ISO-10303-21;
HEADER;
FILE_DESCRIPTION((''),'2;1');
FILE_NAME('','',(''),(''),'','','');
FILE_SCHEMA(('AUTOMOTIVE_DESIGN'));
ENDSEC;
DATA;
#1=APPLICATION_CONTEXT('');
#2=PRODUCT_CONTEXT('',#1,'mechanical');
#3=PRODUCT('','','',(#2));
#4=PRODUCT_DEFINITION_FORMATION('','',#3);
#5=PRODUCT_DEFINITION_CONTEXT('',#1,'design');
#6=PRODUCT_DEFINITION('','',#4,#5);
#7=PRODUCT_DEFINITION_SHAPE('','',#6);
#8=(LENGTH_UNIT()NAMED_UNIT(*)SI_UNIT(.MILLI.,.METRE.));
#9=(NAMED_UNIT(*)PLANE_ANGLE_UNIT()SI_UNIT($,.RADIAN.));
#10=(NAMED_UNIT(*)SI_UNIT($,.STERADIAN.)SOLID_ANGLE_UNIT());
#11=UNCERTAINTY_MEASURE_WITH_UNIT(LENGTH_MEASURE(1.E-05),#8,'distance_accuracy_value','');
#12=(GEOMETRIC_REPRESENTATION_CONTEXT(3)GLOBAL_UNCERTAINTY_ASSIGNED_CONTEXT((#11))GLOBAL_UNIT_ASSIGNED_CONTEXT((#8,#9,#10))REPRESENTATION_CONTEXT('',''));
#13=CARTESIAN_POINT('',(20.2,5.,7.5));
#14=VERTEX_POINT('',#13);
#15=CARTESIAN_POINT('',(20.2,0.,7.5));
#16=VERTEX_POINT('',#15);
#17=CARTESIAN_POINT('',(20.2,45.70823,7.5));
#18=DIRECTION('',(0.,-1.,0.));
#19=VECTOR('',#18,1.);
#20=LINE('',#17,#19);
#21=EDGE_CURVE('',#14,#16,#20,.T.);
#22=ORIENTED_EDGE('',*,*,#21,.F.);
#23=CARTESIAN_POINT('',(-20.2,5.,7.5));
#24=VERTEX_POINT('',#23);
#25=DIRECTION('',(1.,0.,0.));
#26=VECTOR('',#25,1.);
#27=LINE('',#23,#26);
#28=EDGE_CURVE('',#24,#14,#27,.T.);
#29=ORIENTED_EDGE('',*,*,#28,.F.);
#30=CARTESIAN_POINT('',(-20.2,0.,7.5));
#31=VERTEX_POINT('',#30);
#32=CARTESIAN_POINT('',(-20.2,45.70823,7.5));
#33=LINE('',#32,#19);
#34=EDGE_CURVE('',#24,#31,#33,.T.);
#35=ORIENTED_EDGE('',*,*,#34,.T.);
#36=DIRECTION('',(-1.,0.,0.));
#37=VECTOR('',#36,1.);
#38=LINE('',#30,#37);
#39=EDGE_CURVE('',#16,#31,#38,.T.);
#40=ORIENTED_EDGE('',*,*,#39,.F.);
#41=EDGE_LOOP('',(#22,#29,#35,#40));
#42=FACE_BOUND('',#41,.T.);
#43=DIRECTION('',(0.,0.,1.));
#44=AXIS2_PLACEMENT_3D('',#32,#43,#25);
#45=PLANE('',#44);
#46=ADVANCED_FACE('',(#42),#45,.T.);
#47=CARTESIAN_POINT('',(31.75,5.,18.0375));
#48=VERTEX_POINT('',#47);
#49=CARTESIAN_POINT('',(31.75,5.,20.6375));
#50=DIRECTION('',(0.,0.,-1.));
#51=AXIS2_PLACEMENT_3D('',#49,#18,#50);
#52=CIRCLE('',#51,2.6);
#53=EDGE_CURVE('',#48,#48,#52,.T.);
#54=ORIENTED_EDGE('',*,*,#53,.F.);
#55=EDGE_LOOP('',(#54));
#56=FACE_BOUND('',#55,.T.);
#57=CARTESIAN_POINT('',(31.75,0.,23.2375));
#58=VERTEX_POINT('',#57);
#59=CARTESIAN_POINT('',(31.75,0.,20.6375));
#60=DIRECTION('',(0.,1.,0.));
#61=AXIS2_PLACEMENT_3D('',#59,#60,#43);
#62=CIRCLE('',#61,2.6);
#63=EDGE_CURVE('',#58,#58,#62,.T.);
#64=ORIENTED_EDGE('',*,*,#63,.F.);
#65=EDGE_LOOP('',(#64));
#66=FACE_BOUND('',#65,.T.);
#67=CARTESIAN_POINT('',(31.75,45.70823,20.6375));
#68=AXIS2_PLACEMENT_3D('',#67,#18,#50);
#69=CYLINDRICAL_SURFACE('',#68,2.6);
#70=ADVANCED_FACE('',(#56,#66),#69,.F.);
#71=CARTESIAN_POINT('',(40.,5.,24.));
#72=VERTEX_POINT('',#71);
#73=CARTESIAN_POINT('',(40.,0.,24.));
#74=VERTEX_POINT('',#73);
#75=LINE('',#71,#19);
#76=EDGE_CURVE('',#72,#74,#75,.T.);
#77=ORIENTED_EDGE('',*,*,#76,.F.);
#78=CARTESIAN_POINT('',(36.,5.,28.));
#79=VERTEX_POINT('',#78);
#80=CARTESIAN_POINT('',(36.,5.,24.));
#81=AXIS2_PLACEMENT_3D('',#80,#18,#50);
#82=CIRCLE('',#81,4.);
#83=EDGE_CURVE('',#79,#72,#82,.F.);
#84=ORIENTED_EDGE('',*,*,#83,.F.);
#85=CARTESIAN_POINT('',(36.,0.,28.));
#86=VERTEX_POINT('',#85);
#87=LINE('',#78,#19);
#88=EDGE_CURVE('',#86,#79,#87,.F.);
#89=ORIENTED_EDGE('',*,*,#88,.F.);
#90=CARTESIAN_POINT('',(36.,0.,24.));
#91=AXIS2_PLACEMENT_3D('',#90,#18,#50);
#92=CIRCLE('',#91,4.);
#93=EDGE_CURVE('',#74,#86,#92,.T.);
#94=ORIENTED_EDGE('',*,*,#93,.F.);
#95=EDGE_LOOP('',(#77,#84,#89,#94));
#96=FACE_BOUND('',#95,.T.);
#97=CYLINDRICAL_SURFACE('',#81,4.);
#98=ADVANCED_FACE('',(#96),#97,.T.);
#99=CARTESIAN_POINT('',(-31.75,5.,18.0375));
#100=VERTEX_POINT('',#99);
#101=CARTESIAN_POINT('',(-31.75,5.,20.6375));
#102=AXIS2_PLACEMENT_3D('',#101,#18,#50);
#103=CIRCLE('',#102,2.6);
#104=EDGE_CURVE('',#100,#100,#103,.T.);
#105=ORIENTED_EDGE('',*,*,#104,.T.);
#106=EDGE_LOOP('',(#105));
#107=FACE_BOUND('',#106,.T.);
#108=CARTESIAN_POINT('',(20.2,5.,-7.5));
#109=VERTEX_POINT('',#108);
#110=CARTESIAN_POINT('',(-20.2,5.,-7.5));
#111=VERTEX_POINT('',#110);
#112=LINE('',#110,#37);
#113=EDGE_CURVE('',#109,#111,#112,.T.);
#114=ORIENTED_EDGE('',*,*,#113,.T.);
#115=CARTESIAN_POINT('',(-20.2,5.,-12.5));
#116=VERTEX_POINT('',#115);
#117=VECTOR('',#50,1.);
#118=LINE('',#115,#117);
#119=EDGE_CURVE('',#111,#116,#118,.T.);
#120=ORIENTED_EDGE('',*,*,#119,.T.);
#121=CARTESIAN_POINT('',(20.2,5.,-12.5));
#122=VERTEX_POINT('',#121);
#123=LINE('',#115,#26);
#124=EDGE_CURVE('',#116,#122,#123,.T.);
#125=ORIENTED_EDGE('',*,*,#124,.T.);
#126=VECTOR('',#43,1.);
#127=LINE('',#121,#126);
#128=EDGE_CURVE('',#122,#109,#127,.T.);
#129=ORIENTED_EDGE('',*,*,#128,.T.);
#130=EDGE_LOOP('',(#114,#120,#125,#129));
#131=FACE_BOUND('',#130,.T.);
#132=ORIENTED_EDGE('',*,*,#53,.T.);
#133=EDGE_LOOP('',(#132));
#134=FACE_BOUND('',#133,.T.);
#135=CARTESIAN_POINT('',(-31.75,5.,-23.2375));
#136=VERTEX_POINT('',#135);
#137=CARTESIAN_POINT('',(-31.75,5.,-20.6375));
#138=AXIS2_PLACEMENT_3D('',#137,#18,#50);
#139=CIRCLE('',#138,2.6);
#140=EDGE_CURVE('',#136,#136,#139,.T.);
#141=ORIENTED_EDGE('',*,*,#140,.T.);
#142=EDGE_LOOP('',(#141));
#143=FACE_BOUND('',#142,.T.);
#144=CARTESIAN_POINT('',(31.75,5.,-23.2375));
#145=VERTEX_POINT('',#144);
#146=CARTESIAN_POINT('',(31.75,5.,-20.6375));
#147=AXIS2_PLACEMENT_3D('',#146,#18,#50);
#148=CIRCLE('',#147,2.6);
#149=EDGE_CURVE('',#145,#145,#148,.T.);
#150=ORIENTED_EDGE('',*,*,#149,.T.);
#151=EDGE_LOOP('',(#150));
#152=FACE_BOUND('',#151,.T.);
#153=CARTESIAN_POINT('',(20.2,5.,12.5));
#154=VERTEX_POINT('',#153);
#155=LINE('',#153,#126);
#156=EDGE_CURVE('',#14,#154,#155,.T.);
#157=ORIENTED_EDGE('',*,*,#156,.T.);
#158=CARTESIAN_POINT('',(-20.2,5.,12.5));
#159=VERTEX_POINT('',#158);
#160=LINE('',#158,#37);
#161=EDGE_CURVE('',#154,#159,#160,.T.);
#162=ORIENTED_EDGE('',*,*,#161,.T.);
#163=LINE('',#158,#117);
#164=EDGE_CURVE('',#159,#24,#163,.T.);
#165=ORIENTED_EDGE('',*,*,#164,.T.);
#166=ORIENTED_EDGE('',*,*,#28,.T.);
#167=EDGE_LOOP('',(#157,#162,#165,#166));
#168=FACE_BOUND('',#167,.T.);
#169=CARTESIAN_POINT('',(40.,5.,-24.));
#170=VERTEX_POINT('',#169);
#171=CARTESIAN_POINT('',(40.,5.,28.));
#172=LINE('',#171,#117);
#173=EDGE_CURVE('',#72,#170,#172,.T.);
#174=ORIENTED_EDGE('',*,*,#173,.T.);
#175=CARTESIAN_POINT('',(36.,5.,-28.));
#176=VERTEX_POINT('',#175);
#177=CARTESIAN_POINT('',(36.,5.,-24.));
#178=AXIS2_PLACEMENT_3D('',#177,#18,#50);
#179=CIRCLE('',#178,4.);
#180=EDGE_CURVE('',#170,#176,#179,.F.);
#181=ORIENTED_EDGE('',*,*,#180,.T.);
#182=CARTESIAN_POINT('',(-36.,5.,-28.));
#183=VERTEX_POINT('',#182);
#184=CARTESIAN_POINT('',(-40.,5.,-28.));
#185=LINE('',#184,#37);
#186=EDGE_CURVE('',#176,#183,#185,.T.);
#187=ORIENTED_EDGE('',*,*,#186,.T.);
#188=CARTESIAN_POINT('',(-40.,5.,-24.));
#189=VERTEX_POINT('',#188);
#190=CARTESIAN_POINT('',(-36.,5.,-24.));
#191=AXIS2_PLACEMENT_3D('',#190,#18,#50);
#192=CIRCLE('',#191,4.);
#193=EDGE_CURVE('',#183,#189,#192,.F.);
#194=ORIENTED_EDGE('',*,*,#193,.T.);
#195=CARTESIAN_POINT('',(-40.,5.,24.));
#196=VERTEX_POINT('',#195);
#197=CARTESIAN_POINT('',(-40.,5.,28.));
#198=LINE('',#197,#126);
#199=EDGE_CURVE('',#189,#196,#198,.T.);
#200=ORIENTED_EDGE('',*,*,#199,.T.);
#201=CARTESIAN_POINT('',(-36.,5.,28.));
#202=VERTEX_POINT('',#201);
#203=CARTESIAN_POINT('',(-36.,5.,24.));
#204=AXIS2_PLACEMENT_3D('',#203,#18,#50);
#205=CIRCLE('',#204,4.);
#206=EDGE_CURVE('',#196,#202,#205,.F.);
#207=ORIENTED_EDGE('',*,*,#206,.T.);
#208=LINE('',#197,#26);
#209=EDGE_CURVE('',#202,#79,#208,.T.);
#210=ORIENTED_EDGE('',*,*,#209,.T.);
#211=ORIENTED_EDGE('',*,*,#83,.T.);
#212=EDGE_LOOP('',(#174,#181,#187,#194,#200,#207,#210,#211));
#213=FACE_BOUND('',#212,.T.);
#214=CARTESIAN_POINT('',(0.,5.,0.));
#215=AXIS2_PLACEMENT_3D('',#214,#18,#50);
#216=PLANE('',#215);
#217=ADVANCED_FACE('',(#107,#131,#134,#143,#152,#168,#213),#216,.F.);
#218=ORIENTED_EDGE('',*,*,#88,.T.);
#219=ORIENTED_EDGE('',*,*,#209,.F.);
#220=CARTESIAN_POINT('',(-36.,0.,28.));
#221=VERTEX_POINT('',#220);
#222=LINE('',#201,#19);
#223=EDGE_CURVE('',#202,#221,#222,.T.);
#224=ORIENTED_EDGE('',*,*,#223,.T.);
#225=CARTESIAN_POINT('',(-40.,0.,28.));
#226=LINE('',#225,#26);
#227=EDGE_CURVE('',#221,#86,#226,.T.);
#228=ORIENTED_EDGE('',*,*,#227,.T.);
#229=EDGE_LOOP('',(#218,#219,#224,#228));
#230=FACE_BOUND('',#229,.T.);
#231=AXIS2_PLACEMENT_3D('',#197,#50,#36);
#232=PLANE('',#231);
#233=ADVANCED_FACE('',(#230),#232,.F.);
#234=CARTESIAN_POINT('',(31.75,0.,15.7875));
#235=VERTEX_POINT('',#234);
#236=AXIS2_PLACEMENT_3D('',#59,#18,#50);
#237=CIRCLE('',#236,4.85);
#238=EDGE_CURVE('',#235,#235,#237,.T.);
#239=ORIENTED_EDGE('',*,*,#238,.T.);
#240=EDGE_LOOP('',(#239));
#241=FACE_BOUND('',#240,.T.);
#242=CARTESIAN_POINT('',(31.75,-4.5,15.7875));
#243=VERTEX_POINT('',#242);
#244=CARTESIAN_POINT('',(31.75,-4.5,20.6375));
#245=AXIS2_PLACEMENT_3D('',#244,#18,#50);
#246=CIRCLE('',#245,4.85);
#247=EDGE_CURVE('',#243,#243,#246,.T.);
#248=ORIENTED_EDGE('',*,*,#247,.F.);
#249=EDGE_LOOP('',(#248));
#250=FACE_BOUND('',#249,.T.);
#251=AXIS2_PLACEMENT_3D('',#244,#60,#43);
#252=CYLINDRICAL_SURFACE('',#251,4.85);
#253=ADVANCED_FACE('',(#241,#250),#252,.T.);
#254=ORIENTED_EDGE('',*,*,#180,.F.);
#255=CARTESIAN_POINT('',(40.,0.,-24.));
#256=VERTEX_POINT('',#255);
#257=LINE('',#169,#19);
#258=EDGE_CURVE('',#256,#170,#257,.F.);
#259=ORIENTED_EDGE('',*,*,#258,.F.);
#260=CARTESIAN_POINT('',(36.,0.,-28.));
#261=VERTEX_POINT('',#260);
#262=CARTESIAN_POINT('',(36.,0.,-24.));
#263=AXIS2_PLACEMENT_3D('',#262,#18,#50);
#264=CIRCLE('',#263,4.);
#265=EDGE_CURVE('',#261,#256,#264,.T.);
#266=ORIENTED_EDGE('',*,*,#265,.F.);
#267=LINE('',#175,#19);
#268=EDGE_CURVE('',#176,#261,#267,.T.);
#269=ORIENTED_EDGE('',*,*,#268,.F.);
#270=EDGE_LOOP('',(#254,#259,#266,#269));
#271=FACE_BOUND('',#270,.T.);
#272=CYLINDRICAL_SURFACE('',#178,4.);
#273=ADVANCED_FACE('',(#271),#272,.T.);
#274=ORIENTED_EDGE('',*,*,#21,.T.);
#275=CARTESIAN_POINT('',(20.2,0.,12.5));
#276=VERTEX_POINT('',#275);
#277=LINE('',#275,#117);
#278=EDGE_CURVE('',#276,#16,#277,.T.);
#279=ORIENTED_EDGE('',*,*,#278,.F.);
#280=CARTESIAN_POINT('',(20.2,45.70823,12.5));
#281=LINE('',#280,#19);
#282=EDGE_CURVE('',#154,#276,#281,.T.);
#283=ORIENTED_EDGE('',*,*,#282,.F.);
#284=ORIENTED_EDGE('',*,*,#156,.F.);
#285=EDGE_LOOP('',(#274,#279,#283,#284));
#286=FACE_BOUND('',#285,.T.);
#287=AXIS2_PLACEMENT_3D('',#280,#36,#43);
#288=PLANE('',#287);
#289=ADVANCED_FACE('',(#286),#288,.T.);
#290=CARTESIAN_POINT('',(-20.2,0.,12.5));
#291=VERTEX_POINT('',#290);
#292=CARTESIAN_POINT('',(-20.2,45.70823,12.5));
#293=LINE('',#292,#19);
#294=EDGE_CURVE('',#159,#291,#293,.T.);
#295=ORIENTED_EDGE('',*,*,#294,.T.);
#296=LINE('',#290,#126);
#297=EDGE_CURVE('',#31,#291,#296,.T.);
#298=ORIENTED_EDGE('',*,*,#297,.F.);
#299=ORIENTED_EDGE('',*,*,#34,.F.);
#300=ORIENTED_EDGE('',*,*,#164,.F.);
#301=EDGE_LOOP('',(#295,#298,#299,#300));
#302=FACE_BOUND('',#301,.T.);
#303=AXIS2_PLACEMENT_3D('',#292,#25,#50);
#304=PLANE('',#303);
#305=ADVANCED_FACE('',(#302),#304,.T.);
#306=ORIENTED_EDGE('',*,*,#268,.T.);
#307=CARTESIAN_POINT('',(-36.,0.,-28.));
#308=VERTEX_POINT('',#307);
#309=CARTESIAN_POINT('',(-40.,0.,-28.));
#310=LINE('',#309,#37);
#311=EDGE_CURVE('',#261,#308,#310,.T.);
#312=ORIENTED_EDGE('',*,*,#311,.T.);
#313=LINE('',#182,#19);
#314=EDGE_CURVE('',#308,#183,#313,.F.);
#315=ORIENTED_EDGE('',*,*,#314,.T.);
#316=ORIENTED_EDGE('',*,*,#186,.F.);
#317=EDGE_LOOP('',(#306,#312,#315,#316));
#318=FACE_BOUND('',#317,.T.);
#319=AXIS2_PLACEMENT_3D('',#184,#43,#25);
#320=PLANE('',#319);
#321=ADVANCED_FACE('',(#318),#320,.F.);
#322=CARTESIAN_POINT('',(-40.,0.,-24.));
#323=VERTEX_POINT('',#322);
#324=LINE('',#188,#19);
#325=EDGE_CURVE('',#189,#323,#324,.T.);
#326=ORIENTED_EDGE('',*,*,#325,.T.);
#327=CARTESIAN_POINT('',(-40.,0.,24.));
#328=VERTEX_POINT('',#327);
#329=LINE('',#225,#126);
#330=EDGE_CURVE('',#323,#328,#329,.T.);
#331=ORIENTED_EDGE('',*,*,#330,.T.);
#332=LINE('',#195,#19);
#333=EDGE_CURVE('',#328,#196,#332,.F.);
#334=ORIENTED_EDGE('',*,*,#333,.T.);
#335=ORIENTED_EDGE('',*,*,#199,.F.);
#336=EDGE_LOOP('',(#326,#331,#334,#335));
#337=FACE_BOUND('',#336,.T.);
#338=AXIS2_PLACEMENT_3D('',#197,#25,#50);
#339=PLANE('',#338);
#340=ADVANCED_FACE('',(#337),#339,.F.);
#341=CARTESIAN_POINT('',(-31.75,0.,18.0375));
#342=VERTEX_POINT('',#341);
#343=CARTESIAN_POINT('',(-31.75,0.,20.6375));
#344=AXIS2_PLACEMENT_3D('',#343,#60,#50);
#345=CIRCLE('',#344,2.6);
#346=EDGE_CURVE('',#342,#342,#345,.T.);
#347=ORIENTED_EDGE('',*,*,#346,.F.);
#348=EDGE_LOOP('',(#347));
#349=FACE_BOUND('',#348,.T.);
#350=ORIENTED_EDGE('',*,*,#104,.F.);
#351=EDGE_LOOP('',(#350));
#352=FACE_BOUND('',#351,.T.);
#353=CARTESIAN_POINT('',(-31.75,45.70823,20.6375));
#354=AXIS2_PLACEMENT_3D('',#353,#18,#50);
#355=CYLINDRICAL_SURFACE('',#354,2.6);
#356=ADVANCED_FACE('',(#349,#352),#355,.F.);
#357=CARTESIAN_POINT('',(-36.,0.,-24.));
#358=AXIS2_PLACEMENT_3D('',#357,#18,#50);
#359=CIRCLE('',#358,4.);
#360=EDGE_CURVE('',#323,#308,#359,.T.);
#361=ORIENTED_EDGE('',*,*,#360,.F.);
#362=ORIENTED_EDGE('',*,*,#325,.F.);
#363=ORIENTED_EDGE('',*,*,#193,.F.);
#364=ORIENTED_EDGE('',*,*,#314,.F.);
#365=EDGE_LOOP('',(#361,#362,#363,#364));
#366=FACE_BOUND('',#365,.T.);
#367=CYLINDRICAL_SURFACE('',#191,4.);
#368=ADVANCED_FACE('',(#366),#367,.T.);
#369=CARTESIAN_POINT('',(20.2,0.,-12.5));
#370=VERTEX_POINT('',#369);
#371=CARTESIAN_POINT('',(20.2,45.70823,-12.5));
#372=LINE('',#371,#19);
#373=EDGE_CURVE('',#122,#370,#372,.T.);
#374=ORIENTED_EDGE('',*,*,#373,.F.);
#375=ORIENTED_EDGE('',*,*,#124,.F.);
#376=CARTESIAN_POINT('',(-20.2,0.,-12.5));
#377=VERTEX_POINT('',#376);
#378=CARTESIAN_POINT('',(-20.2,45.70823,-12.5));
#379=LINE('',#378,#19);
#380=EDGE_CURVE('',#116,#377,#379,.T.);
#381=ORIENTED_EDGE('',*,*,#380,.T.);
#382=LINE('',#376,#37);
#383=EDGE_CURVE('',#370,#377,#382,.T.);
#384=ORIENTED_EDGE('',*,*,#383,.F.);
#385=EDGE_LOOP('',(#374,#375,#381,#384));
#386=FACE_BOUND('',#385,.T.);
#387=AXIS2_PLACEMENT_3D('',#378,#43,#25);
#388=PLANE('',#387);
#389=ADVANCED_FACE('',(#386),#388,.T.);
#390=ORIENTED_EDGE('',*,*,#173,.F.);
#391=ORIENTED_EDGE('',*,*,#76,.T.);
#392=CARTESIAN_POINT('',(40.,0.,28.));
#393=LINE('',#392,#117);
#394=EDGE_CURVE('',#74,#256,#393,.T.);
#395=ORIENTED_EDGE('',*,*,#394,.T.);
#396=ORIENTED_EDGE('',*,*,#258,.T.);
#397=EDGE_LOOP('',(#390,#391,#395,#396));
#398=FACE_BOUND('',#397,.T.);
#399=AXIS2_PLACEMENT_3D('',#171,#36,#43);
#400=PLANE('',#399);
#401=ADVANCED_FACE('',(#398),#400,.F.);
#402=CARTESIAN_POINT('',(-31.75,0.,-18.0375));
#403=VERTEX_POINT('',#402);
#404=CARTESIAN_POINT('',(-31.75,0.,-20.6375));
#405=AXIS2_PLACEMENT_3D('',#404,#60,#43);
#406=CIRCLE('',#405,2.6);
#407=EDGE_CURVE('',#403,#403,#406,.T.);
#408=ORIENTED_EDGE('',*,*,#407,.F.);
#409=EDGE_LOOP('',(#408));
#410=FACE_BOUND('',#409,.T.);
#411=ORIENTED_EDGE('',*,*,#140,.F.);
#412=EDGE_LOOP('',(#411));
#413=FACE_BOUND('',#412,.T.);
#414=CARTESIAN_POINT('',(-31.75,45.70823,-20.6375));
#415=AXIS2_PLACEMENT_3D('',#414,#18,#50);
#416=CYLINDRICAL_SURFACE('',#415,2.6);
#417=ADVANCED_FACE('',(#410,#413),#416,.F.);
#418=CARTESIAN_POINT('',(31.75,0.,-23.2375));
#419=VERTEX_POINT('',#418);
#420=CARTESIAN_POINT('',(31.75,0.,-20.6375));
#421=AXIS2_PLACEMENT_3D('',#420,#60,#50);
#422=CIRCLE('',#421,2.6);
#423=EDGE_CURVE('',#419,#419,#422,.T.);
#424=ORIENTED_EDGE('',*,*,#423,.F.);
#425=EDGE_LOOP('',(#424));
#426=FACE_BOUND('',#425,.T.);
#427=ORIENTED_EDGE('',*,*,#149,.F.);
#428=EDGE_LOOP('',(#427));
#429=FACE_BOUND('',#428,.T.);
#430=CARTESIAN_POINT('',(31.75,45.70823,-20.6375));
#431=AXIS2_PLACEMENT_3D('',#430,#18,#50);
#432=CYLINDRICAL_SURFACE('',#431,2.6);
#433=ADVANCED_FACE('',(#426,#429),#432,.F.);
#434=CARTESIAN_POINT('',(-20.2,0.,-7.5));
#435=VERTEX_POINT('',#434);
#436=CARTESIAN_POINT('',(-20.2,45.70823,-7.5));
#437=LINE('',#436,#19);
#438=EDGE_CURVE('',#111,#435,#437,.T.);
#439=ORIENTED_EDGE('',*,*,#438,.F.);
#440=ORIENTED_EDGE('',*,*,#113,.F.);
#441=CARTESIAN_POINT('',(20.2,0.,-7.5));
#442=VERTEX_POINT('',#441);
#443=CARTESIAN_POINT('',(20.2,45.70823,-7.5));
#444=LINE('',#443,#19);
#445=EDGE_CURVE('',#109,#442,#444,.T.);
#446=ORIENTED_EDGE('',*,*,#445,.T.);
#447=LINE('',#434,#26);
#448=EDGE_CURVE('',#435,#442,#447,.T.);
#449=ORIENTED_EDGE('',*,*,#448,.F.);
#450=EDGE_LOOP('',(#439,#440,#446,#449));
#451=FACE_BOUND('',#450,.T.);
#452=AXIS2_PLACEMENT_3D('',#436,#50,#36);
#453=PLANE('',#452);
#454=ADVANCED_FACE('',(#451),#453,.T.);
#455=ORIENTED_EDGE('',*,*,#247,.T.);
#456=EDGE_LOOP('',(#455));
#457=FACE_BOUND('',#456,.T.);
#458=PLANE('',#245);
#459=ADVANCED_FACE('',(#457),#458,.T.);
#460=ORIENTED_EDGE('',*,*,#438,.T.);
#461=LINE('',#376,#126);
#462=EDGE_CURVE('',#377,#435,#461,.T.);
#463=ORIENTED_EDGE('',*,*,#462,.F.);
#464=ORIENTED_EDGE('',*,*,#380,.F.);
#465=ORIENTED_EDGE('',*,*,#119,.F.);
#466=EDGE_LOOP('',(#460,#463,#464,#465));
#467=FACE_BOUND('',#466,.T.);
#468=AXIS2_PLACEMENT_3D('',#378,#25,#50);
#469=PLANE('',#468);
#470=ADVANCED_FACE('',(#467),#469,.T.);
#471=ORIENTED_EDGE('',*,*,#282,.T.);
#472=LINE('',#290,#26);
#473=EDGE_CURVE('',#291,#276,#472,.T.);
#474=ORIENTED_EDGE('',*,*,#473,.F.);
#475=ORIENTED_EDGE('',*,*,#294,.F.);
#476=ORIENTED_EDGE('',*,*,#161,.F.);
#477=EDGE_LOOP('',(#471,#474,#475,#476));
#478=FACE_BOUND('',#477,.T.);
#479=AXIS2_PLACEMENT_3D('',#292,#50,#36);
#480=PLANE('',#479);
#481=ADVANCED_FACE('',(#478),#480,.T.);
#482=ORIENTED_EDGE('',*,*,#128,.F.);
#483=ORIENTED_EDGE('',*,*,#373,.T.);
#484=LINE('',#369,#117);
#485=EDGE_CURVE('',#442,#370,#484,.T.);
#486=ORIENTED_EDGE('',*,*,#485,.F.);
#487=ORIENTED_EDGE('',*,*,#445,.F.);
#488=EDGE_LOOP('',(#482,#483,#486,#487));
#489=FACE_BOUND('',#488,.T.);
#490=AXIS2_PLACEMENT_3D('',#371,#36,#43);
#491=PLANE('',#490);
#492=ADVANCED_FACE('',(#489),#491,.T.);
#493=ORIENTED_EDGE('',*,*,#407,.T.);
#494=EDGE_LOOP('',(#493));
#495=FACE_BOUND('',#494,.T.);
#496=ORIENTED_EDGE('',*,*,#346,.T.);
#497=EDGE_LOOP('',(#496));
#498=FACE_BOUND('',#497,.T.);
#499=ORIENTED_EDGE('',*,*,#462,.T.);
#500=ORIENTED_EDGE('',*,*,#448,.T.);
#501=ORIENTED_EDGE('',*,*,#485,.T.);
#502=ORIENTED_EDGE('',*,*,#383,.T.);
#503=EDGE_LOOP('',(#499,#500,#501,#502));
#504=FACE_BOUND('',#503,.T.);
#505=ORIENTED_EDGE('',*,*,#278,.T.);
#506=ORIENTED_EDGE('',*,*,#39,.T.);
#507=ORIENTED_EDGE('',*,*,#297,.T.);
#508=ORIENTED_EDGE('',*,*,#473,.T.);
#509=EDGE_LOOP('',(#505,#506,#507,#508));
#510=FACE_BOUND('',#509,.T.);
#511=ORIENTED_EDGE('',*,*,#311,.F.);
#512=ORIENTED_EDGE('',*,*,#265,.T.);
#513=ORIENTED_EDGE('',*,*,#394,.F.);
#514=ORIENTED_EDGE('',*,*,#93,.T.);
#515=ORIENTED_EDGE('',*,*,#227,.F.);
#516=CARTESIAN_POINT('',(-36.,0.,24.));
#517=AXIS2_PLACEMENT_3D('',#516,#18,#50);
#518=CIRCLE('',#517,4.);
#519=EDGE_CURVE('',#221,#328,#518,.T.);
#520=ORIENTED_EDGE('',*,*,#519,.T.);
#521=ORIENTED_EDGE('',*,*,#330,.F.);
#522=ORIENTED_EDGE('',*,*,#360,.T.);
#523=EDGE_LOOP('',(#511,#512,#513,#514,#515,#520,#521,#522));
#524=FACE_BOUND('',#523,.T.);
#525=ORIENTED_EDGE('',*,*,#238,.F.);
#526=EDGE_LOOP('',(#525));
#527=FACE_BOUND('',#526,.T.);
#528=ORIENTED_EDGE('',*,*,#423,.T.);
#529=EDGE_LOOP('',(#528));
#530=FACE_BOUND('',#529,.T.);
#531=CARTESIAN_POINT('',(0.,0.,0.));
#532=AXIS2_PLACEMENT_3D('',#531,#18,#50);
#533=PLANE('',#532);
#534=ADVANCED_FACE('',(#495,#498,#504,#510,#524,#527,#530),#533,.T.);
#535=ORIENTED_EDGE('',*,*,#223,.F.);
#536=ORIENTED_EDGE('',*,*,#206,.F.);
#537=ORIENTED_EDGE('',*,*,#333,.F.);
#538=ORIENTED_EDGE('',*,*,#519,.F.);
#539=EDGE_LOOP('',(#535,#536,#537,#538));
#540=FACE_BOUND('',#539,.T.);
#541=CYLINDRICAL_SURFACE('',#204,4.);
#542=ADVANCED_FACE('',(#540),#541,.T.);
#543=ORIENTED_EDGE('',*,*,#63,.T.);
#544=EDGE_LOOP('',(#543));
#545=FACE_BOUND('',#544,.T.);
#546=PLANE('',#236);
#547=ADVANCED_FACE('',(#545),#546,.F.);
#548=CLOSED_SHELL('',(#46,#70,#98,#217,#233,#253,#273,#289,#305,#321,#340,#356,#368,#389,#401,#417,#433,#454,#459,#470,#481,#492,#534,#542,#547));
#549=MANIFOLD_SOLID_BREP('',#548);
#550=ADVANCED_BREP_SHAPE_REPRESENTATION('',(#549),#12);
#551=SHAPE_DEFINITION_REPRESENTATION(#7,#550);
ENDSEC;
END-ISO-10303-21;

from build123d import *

# Parameters (mm, degrees)
SKETCH_3_W          = 80
SKETCH_3_H          = 56
EXTRUDE_1_DEPTH     = 5
SKETCH_1_R          = 2.6
SKETCH_1_W          = 40.4
SKETCH_1_H          = 5
CUT_EXTRUDE_1_DEPTH = 5
SKETCH_5_R          = 4.85
EXTRUDE_2_DEPTH     = 4.5
FILLET_2_R          = 4


with BuildPart() as part:
    # 草图3 → 凸台-拉伸1 (new body)
    with BuildSketch(Plane(origin=(0, 0, 0), x_dir=(1, 0, 0), z_dir=(0, 1, 0))):
        Rectangle(SKETCH_3_W, SKETCH_3_H)
    extrude(amount=EXTRUDE_1_DEPTH)

    # 草图1 → 切除-拉伸1 (cut)
    with BuildSketch(Plane(origin=(0, 0, 0), x_dir=(1, 0, 0), z_dir=(0, 1, 0))):
        with Locations(Location((-31.75, 20.6375, 0), (0, 0, 90))):
            Circle(SKETCH_1_R)
        with Locations(Location((31.75, 20.6375, 0), (0, 0, 90))):
            Circle(SKETCH_1_R)
        with Locations(Location((31.75, -20.6375, 0), (0, 0, 90))):
            Circle(SKETCH_1_R)
        with Locations(Location((-31.75, -20.6375, 0), (0, 0, 90))):
            Circle(SKETCH_1_R)
        with Locations((0, -10)):
            Rectangle(SKETCH_1_W, SKETCH_1_H)
        with Locations((0, 10)):
            Rectangle(SKETCH_1_W, SKETCH_1_H)
    extrude(amount=CUT_EXTRUDE_1_DEPTH, mode=Mode.SUBTRACT)

    # 草图5 → 凸台-拉伸2 (add)
    with BuildSketch(Plane.XZ):
        with Locations(Location((31.75, 20.6375, 0), (0, 0, 270))):
            Circle(SKETCH_5_R)
    extrude(amount=EXTRUDE_2_DEPTH)

    # 圆角2
    fillet_2_edges = [part.edges().sort_by_distance(p)[0] for p in [
        (40, 2.5, 28),
        (-40, 2.5, 28),
        (-40, 2.5, -28),
        (40, 2.5, -28),
    ]]
    fillet(fillet_2_edges, radius=FILLET_2_R)


solid = part.part
